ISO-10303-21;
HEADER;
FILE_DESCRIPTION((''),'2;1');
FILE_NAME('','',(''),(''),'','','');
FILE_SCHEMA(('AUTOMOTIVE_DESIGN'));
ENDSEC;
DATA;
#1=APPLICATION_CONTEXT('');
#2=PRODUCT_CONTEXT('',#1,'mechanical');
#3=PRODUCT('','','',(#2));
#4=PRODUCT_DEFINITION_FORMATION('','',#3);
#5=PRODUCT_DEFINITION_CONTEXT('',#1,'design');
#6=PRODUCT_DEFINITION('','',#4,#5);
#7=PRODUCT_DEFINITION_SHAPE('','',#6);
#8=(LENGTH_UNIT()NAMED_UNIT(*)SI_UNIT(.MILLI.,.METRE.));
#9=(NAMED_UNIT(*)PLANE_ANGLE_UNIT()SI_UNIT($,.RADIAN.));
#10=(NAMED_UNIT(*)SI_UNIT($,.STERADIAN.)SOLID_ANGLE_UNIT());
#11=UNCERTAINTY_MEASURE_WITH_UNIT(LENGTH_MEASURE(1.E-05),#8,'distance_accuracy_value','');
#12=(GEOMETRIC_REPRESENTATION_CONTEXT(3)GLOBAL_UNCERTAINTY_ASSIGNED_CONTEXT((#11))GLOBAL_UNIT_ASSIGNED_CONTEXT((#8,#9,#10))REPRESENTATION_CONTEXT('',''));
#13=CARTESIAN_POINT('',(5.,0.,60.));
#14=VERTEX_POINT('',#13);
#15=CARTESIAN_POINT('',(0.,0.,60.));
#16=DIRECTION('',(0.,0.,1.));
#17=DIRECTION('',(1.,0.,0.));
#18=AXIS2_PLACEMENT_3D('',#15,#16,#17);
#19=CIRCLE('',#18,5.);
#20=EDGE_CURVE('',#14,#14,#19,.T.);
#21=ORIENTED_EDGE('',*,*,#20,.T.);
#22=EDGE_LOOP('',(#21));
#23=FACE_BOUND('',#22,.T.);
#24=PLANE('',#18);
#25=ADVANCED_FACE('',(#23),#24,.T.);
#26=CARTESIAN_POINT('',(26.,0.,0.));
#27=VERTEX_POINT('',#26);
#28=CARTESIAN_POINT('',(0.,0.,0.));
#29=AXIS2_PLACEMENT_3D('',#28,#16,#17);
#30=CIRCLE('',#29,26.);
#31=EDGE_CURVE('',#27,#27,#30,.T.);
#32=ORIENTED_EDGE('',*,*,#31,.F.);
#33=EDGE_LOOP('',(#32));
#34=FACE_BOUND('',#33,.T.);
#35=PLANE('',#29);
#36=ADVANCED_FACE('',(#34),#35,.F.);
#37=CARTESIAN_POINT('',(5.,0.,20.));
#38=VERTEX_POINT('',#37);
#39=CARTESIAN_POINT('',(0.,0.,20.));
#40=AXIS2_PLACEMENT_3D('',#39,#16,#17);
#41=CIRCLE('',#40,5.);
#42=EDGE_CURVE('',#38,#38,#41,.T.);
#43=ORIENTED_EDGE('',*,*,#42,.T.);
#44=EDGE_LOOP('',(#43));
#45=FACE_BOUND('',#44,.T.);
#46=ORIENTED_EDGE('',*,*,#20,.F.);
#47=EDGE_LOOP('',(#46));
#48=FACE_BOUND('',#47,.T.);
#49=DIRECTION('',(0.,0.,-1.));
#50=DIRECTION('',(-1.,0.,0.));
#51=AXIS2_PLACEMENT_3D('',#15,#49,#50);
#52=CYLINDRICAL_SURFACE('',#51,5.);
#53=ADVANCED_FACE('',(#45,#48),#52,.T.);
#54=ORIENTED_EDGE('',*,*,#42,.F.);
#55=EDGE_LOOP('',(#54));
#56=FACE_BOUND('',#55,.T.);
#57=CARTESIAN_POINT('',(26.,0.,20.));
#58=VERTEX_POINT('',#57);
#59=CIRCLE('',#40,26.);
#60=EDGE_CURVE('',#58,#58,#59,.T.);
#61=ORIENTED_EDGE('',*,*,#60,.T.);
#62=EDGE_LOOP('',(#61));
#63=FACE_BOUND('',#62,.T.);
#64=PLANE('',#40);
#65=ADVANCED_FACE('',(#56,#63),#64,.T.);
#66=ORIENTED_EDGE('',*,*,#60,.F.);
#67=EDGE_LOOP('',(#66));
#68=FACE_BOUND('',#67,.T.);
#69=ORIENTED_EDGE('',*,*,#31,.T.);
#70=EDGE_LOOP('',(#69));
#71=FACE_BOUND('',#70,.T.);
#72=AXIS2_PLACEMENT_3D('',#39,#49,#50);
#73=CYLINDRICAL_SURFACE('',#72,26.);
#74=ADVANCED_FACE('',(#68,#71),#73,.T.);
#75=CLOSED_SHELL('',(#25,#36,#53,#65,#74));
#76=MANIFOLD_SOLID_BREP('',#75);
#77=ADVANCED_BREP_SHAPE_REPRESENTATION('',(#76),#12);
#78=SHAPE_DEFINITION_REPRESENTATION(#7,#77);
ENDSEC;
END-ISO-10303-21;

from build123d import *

# Parameters (mm, degrees)
SKETCH1_R           = 26
BOSS_EXTRUDE1_DEPTH = 20
SKETCH2_R           = 5
BOSS_EXTRUDE2_DEPTH = 40


with BuildPart() as part:
    # Sketch1 → Boss-Extrude1 (new body)
    with BuildSketch(Plane.XY):
        Circle(SKETCH1_R)
    extrude(amount=BOSS_EXTRUDE1_DEPTH)

    # Sketch2 → Boss-Extrude2 (add)
    with BuildSketch(Plane.XY.offset(20)):
        Circle(SKETCH2_R)
    extrude(amount=BOSS_EXTRUDE2_DEPTH)


solid = part.part
